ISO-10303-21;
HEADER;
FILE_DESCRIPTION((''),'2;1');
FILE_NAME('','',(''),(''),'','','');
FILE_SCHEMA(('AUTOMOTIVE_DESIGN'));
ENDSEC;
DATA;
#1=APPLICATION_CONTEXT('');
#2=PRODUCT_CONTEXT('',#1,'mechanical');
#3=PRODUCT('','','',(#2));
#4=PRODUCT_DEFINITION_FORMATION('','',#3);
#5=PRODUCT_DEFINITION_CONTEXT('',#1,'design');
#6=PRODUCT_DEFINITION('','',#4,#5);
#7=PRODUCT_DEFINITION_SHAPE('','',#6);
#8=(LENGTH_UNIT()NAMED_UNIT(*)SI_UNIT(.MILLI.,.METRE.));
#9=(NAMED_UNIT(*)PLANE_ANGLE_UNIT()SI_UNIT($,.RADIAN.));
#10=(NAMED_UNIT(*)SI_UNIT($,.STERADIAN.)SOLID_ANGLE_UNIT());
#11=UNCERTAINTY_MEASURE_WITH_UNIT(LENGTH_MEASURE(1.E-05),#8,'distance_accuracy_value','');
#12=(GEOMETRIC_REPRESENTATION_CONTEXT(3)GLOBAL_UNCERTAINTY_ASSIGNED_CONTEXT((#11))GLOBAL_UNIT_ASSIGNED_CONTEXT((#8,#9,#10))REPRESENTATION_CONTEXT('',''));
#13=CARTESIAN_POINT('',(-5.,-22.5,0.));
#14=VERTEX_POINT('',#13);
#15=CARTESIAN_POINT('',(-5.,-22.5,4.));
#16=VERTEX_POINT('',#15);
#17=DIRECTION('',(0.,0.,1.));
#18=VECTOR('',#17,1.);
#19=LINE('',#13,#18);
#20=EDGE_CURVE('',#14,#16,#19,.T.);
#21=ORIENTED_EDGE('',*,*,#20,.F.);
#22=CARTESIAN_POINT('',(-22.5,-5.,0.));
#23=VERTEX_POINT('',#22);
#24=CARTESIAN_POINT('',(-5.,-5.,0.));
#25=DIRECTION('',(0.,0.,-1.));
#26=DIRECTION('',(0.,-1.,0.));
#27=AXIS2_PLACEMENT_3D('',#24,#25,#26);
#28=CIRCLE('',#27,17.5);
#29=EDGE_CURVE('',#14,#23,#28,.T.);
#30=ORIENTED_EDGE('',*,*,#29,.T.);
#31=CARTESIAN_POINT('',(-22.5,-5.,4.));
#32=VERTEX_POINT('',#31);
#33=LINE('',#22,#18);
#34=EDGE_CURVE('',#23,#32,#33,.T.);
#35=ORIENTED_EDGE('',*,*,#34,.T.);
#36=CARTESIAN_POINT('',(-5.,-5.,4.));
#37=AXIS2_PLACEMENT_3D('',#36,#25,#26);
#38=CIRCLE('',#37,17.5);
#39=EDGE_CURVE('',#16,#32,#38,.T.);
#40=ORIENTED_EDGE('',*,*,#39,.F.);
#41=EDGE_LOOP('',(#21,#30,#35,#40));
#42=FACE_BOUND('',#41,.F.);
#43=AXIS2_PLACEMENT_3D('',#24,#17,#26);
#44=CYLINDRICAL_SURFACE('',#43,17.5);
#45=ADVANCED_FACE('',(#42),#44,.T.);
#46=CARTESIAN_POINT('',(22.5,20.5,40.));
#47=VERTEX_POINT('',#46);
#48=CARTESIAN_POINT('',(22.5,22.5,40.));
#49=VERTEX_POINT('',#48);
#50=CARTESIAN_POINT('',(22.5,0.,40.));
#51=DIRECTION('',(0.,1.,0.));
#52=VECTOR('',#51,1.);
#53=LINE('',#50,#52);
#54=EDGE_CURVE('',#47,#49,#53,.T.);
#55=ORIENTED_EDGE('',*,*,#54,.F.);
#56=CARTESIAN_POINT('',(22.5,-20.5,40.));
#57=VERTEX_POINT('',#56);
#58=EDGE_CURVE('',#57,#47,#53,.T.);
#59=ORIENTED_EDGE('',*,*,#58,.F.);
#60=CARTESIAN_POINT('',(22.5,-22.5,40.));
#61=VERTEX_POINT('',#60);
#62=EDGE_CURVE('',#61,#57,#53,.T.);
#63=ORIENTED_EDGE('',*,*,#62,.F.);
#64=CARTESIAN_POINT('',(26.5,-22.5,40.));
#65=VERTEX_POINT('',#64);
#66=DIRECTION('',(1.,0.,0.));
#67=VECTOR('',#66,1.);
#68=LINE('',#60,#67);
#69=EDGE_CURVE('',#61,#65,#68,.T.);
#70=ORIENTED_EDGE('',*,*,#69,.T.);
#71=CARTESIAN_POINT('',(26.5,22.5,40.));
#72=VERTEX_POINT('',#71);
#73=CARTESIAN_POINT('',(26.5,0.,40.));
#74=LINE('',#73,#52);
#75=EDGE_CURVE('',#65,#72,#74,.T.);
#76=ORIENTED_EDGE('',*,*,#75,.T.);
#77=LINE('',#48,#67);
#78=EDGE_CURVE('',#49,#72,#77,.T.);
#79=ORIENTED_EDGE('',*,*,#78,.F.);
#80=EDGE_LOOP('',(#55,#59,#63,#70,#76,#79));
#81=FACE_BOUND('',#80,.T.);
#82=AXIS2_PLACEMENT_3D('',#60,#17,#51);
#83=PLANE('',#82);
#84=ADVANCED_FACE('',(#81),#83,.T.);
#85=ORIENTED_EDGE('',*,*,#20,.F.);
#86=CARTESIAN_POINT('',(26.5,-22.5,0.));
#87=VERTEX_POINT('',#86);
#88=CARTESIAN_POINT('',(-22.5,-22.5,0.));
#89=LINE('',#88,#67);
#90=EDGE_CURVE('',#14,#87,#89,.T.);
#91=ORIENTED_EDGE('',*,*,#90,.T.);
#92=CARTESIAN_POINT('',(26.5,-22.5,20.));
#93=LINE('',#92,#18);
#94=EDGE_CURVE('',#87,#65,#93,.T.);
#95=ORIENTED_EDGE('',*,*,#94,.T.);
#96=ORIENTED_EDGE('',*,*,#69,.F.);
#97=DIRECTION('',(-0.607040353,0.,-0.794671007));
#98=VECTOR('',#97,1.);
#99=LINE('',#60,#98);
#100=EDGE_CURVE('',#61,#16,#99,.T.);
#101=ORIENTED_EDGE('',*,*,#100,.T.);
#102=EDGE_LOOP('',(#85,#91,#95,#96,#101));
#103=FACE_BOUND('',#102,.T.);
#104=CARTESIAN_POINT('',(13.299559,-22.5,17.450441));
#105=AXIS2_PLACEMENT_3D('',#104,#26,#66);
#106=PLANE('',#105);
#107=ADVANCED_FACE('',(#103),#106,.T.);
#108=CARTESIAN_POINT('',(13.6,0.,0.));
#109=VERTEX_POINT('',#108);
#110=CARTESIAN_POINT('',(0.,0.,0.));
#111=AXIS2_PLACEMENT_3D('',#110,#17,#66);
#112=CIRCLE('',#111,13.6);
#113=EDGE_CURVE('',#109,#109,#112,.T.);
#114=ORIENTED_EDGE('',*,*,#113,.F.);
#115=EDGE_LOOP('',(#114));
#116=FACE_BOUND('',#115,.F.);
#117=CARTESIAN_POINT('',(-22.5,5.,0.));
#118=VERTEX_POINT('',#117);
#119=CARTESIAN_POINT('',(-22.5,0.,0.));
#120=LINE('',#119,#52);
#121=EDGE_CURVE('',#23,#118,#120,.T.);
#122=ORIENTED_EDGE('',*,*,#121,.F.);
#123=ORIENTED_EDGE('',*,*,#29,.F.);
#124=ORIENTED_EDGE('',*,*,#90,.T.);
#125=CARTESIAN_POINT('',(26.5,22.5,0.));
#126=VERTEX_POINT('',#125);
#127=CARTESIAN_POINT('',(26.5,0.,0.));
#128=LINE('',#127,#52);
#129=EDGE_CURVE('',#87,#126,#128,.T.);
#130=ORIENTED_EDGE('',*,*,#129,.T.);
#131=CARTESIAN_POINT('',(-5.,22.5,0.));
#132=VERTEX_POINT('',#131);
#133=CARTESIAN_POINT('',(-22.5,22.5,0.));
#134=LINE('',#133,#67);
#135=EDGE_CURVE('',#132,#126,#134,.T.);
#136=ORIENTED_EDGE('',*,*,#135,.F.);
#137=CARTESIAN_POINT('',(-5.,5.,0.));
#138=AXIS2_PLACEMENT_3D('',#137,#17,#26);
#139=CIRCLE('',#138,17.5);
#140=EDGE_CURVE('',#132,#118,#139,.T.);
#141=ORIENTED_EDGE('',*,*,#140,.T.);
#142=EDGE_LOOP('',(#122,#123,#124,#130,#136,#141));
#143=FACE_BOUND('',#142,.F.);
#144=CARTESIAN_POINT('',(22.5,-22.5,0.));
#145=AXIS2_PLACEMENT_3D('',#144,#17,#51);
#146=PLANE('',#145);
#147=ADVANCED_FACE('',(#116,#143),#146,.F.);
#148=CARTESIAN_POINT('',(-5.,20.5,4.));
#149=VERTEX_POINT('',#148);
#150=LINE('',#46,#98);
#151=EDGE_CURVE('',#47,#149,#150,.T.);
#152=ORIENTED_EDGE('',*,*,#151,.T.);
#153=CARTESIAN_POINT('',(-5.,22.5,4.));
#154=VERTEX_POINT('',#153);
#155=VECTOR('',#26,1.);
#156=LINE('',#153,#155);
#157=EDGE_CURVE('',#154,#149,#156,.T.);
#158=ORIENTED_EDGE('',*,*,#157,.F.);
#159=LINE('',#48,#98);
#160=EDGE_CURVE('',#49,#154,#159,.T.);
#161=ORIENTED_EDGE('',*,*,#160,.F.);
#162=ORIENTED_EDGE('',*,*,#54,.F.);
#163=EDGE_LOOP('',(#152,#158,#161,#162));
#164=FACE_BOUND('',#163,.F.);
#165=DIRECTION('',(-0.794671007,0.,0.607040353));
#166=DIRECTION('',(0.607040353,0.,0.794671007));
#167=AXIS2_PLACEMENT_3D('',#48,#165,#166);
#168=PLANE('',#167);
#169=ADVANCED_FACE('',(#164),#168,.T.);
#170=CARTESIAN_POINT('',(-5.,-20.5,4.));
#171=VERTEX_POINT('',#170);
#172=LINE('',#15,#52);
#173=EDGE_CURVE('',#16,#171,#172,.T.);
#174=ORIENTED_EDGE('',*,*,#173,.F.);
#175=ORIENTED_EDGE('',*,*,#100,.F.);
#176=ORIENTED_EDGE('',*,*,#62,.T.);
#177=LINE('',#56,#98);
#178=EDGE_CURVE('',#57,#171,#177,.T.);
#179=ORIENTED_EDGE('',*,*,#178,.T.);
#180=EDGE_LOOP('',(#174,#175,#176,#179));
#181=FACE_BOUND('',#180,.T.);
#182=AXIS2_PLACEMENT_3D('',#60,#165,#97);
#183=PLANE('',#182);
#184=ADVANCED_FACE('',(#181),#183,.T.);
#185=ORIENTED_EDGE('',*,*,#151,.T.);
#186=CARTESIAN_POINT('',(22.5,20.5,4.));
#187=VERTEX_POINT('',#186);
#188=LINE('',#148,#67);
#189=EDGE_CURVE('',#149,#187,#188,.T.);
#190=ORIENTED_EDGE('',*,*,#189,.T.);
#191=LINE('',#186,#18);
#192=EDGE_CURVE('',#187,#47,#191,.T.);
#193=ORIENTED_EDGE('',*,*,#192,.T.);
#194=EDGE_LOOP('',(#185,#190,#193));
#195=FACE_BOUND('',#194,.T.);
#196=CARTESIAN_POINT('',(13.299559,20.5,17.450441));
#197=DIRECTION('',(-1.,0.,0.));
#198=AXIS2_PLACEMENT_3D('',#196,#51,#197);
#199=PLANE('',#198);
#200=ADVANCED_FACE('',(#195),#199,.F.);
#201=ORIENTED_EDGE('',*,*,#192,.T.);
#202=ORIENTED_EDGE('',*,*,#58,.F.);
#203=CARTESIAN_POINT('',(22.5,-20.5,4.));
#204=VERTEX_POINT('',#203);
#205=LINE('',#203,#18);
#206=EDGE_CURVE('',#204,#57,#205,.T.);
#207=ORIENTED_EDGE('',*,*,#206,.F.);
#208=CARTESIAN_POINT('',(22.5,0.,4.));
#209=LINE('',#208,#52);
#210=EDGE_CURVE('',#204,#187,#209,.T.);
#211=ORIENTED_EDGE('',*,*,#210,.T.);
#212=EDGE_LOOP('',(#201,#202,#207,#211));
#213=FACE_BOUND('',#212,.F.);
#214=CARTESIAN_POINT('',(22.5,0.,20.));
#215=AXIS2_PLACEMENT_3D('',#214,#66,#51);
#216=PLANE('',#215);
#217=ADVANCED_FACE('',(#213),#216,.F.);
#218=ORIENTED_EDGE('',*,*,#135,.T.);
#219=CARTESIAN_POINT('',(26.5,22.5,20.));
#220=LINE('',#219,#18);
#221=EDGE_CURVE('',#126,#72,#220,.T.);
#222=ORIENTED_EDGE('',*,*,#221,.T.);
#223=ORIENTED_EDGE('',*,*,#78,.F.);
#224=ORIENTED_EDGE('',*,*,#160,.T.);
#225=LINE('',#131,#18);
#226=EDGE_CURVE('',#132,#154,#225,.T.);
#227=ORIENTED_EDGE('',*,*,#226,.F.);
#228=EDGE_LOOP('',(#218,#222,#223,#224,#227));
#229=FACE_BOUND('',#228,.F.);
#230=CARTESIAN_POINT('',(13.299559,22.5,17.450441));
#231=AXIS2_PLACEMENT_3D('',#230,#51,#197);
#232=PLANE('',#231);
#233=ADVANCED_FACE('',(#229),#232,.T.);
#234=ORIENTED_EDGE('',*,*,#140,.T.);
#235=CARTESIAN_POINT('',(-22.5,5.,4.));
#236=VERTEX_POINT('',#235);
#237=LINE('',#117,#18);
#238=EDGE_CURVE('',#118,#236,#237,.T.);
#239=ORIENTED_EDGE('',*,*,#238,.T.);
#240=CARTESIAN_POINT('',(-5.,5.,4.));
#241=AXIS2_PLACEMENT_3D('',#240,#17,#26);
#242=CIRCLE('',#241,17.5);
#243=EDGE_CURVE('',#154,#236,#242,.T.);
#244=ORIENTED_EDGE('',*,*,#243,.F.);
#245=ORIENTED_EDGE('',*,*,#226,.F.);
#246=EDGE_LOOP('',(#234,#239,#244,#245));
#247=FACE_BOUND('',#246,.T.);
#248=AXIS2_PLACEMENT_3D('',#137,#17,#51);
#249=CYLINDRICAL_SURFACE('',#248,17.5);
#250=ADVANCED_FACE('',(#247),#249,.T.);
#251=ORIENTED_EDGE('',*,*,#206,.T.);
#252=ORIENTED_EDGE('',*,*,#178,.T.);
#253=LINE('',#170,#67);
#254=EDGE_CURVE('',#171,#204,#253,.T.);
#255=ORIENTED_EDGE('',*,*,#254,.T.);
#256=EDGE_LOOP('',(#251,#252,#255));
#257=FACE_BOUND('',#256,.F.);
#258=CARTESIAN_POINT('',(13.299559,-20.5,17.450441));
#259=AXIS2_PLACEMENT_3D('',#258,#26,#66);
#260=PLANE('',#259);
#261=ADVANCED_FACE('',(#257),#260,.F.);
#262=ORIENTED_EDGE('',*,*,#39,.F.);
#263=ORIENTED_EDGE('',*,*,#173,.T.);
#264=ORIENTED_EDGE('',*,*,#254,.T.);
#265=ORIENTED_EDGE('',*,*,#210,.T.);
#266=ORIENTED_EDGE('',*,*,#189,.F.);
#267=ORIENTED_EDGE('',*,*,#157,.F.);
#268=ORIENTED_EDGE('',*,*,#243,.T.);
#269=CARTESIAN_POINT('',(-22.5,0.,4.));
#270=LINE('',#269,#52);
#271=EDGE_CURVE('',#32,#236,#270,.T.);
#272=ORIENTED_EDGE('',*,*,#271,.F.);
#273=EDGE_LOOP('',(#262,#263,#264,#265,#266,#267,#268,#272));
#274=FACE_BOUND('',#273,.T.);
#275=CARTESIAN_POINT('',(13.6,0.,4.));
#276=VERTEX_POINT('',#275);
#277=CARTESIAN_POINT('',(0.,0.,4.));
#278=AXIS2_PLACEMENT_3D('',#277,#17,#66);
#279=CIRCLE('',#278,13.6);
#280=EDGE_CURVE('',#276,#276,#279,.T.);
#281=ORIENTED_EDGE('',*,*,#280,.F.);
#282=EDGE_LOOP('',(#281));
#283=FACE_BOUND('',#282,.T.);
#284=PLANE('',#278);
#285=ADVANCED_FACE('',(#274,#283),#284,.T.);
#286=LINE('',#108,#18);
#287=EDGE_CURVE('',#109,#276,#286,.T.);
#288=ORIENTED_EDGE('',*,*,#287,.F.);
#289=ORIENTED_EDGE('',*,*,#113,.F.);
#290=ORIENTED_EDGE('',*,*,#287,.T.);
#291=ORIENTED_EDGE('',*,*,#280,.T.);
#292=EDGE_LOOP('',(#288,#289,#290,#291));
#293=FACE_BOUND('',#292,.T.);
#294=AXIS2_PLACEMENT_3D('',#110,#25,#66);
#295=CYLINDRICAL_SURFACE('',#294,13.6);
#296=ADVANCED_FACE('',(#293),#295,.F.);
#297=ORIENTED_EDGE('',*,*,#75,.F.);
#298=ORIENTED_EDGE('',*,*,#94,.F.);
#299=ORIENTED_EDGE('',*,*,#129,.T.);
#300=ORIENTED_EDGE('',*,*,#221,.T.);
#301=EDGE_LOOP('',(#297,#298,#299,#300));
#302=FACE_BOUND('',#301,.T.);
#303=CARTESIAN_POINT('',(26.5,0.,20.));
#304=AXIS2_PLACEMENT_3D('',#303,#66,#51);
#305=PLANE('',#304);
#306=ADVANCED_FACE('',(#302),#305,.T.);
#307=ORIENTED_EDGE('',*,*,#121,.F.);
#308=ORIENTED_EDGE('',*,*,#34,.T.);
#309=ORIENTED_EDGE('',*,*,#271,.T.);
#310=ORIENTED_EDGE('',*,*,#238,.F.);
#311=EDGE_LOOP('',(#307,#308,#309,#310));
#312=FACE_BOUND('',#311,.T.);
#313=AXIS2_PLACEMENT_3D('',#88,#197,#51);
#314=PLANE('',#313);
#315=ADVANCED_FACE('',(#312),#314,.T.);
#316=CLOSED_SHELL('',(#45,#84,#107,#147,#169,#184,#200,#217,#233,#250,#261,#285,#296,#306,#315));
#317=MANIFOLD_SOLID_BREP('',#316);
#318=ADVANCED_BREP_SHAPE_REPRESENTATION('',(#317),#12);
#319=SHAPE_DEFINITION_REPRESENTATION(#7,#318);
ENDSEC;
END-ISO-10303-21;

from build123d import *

# Parameters (mm, degrees)
SKETCH_W     = 45
SKETCH_H     = 45
SKETCH_R     = 13.6
PAD_DEPTH    = 4
SKETCH001_W  = 45
SKETCH001_H  = 40
PAD001_DEPTH = 4
FILLET_R     = 17.5
PAD002_DEPTH = 2


with BuildPart() as part:
    # Sketch → Pad (new body)
    with BuildSketch(Plane.XY):
        Rectangle(SKETCH_W, SKETCH_H)
        Circle(SKETCH_R, mode=Mode.SUBTRACT)
    extrude(amount=PAD_DEPTH)

    # Sketch001 (on Face3 of Pad) → Pad001 (join)
    with BuildSketch(Plane.YZ.offset(22.5)):
        with Locations((0, 20)):
            Rectangle(SKETCH001_W, SKETCH001_H)
    extrude(amount=PAD001_DEPTH)

    # Fillet
    fillet_edges = [part.edges().sort_by_distance(p)[0] for p in [
        (-22.5, 22.5, 2),
        (-22.5, -22.5, 2),
    ]]
    fillet(fillet_edges, radius=FILLET_R)

    # Sketch002 (on Face6 of Fillet) → Pad002 (join)
    with BuildSketch(Plane.XZ.offset(22.5)):
        Polygon((-5, 4), (22.5, 4), (22.5, 40), align=None)
    pad002 = extrude(amount=-PAD002_DEPTH)

    # Mirrored: Pad002 across XZ
    add(pad002.mirror(Plane.XZ))


solid = part.part
